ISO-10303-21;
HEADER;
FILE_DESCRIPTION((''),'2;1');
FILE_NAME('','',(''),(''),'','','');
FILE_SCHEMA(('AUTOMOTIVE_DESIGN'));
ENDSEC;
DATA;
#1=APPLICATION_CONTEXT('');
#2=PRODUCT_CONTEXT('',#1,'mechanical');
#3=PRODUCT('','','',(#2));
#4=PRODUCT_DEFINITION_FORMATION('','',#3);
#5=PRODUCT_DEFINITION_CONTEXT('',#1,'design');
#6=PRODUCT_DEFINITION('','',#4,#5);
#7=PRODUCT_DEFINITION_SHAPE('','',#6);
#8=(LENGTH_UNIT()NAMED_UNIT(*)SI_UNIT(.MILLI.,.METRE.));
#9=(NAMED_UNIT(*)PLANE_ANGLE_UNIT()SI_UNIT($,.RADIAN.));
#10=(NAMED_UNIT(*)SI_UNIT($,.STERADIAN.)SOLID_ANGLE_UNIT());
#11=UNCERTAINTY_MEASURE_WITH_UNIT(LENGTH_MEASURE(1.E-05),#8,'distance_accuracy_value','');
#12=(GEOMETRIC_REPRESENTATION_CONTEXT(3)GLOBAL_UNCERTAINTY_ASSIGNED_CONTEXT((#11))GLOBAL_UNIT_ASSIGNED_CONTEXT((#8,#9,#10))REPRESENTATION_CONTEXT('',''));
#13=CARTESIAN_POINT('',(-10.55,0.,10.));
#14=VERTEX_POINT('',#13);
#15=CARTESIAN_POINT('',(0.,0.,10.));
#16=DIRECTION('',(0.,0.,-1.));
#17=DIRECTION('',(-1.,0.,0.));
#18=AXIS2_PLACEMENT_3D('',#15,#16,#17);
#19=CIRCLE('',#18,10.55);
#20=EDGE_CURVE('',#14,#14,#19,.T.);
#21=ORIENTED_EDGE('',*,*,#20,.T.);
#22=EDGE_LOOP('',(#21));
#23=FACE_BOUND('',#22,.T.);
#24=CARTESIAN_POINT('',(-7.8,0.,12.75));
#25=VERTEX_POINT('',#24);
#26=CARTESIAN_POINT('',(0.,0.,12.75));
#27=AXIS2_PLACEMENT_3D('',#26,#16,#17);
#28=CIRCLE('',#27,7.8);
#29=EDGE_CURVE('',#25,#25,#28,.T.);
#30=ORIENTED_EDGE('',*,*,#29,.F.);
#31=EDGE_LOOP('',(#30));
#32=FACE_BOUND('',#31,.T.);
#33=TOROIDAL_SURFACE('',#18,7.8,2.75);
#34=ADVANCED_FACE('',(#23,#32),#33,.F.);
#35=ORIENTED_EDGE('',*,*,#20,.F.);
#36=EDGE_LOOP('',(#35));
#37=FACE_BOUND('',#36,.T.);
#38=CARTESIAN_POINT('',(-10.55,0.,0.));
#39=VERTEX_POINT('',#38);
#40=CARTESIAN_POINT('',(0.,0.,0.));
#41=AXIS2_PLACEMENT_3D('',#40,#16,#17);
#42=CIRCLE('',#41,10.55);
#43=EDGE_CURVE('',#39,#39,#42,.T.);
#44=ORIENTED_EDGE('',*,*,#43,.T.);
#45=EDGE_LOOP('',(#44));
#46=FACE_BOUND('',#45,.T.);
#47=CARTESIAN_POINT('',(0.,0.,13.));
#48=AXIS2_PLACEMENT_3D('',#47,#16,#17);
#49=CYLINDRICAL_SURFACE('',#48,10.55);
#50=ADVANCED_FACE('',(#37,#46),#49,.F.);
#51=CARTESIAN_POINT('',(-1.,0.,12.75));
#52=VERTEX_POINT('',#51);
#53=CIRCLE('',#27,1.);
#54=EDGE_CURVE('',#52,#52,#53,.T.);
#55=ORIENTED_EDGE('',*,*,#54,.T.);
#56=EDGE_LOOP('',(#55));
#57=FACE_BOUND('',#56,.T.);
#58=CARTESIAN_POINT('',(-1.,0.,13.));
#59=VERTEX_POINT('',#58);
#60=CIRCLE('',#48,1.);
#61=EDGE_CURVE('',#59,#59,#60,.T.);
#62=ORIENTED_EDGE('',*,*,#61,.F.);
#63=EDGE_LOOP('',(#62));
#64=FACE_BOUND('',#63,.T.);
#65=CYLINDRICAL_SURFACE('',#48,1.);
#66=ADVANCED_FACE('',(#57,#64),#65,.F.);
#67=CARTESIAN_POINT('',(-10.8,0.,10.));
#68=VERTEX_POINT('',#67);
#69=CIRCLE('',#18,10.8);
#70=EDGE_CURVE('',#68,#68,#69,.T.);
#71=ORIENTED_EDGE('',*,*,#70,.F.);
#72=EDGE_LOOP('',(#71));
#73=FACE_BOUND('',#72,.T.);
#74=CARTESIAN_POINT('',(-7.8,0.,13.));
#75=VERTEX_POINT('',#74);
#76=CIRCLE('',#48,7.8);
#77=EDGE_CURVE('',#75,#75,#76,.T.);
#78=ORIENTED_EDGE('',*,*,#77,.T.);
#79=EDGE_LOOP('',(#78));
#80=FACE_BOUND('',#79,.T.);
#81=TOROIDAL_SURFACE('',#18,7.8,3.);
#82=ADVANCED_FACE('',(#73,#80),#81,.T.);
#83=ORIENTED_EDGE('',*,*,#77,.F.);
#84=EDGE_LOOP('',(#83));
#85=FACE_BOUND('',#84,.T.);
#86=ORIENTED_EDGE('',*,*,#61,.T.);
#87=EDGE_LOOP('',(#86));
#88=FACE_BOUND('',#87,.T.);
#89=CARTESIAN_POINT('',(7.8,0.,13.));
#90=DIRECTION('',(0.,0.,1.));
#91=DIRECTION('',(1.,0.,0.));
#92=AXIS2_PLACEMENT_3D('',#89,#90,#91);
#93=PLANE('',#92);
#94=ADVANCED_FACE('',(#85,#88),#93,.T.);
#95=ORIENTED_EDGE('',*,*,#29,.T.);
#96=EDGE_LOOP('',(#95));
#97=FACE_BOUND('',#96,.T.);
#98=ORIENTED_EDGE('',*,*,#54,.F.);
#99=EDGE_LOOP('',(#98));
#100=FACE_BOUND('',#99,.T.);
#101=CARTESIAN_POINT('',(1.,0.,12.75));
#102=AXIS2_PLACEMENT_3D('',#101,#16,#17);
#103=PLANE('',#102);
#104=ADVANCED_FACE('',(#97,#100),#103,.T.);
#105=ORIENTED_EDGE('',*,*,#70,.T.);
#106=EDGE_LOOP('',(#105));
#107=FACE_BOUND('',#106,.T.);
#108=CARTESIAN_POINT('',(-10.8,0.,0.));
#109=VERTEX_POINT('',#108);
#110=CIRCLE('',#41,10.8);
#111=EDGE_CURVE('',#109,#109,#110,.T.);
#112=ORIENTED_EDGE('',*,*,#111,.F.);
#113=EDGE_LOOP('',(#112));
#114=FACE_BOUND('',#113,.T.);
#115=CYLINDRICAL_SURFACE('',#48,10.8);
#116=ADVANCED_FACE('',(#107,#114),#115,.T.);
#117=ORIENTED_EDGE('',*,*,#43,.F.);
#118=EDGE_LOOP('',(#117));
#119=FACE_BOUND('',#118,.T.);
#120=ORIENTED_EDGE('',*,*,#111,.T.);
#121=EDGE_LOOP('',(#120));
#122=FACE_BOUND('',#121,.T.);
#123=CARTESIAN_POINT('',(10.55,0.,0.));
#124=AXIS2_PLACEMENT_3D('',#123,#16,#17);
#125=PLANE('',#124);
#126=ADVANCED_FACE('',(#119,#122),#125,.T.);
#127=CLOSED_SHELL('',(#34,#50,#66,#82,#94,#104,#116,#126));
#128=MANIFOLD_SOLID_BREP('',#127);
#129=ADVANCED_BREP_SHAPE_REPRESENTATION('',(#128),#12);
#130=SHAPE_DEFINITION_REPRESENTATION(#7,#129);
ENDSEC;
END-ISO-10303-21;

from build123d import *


with BuildPart() as part:
    # Schizzo1 → Rivoluzione1 (revolve)
    with BuildSketch(Plane.XZ):
        with BuildLine():
            Line((10.8, 0), (10.8, 10))
            ThreePointArc((10.8, 10), (9.921320344, 12.121320344), (7.8, 13))
            Line((7.8, 13), (1, 13))
            Line((1, 13), (1, 12.75))
            Line((1, 12.75), (7.8, 12.75))
            ThreePointArc((7.8, 12.75), (9.744543648, 11.944543648), (10.55, 10))
            Line((10.55, 10), (10.55, 0))
            Line((10.55, 0), (10.8, 0))
        make_face()
    revolve(axis=Axis((0, 0, 13), (0, 0, -1)))


solid = part.part
